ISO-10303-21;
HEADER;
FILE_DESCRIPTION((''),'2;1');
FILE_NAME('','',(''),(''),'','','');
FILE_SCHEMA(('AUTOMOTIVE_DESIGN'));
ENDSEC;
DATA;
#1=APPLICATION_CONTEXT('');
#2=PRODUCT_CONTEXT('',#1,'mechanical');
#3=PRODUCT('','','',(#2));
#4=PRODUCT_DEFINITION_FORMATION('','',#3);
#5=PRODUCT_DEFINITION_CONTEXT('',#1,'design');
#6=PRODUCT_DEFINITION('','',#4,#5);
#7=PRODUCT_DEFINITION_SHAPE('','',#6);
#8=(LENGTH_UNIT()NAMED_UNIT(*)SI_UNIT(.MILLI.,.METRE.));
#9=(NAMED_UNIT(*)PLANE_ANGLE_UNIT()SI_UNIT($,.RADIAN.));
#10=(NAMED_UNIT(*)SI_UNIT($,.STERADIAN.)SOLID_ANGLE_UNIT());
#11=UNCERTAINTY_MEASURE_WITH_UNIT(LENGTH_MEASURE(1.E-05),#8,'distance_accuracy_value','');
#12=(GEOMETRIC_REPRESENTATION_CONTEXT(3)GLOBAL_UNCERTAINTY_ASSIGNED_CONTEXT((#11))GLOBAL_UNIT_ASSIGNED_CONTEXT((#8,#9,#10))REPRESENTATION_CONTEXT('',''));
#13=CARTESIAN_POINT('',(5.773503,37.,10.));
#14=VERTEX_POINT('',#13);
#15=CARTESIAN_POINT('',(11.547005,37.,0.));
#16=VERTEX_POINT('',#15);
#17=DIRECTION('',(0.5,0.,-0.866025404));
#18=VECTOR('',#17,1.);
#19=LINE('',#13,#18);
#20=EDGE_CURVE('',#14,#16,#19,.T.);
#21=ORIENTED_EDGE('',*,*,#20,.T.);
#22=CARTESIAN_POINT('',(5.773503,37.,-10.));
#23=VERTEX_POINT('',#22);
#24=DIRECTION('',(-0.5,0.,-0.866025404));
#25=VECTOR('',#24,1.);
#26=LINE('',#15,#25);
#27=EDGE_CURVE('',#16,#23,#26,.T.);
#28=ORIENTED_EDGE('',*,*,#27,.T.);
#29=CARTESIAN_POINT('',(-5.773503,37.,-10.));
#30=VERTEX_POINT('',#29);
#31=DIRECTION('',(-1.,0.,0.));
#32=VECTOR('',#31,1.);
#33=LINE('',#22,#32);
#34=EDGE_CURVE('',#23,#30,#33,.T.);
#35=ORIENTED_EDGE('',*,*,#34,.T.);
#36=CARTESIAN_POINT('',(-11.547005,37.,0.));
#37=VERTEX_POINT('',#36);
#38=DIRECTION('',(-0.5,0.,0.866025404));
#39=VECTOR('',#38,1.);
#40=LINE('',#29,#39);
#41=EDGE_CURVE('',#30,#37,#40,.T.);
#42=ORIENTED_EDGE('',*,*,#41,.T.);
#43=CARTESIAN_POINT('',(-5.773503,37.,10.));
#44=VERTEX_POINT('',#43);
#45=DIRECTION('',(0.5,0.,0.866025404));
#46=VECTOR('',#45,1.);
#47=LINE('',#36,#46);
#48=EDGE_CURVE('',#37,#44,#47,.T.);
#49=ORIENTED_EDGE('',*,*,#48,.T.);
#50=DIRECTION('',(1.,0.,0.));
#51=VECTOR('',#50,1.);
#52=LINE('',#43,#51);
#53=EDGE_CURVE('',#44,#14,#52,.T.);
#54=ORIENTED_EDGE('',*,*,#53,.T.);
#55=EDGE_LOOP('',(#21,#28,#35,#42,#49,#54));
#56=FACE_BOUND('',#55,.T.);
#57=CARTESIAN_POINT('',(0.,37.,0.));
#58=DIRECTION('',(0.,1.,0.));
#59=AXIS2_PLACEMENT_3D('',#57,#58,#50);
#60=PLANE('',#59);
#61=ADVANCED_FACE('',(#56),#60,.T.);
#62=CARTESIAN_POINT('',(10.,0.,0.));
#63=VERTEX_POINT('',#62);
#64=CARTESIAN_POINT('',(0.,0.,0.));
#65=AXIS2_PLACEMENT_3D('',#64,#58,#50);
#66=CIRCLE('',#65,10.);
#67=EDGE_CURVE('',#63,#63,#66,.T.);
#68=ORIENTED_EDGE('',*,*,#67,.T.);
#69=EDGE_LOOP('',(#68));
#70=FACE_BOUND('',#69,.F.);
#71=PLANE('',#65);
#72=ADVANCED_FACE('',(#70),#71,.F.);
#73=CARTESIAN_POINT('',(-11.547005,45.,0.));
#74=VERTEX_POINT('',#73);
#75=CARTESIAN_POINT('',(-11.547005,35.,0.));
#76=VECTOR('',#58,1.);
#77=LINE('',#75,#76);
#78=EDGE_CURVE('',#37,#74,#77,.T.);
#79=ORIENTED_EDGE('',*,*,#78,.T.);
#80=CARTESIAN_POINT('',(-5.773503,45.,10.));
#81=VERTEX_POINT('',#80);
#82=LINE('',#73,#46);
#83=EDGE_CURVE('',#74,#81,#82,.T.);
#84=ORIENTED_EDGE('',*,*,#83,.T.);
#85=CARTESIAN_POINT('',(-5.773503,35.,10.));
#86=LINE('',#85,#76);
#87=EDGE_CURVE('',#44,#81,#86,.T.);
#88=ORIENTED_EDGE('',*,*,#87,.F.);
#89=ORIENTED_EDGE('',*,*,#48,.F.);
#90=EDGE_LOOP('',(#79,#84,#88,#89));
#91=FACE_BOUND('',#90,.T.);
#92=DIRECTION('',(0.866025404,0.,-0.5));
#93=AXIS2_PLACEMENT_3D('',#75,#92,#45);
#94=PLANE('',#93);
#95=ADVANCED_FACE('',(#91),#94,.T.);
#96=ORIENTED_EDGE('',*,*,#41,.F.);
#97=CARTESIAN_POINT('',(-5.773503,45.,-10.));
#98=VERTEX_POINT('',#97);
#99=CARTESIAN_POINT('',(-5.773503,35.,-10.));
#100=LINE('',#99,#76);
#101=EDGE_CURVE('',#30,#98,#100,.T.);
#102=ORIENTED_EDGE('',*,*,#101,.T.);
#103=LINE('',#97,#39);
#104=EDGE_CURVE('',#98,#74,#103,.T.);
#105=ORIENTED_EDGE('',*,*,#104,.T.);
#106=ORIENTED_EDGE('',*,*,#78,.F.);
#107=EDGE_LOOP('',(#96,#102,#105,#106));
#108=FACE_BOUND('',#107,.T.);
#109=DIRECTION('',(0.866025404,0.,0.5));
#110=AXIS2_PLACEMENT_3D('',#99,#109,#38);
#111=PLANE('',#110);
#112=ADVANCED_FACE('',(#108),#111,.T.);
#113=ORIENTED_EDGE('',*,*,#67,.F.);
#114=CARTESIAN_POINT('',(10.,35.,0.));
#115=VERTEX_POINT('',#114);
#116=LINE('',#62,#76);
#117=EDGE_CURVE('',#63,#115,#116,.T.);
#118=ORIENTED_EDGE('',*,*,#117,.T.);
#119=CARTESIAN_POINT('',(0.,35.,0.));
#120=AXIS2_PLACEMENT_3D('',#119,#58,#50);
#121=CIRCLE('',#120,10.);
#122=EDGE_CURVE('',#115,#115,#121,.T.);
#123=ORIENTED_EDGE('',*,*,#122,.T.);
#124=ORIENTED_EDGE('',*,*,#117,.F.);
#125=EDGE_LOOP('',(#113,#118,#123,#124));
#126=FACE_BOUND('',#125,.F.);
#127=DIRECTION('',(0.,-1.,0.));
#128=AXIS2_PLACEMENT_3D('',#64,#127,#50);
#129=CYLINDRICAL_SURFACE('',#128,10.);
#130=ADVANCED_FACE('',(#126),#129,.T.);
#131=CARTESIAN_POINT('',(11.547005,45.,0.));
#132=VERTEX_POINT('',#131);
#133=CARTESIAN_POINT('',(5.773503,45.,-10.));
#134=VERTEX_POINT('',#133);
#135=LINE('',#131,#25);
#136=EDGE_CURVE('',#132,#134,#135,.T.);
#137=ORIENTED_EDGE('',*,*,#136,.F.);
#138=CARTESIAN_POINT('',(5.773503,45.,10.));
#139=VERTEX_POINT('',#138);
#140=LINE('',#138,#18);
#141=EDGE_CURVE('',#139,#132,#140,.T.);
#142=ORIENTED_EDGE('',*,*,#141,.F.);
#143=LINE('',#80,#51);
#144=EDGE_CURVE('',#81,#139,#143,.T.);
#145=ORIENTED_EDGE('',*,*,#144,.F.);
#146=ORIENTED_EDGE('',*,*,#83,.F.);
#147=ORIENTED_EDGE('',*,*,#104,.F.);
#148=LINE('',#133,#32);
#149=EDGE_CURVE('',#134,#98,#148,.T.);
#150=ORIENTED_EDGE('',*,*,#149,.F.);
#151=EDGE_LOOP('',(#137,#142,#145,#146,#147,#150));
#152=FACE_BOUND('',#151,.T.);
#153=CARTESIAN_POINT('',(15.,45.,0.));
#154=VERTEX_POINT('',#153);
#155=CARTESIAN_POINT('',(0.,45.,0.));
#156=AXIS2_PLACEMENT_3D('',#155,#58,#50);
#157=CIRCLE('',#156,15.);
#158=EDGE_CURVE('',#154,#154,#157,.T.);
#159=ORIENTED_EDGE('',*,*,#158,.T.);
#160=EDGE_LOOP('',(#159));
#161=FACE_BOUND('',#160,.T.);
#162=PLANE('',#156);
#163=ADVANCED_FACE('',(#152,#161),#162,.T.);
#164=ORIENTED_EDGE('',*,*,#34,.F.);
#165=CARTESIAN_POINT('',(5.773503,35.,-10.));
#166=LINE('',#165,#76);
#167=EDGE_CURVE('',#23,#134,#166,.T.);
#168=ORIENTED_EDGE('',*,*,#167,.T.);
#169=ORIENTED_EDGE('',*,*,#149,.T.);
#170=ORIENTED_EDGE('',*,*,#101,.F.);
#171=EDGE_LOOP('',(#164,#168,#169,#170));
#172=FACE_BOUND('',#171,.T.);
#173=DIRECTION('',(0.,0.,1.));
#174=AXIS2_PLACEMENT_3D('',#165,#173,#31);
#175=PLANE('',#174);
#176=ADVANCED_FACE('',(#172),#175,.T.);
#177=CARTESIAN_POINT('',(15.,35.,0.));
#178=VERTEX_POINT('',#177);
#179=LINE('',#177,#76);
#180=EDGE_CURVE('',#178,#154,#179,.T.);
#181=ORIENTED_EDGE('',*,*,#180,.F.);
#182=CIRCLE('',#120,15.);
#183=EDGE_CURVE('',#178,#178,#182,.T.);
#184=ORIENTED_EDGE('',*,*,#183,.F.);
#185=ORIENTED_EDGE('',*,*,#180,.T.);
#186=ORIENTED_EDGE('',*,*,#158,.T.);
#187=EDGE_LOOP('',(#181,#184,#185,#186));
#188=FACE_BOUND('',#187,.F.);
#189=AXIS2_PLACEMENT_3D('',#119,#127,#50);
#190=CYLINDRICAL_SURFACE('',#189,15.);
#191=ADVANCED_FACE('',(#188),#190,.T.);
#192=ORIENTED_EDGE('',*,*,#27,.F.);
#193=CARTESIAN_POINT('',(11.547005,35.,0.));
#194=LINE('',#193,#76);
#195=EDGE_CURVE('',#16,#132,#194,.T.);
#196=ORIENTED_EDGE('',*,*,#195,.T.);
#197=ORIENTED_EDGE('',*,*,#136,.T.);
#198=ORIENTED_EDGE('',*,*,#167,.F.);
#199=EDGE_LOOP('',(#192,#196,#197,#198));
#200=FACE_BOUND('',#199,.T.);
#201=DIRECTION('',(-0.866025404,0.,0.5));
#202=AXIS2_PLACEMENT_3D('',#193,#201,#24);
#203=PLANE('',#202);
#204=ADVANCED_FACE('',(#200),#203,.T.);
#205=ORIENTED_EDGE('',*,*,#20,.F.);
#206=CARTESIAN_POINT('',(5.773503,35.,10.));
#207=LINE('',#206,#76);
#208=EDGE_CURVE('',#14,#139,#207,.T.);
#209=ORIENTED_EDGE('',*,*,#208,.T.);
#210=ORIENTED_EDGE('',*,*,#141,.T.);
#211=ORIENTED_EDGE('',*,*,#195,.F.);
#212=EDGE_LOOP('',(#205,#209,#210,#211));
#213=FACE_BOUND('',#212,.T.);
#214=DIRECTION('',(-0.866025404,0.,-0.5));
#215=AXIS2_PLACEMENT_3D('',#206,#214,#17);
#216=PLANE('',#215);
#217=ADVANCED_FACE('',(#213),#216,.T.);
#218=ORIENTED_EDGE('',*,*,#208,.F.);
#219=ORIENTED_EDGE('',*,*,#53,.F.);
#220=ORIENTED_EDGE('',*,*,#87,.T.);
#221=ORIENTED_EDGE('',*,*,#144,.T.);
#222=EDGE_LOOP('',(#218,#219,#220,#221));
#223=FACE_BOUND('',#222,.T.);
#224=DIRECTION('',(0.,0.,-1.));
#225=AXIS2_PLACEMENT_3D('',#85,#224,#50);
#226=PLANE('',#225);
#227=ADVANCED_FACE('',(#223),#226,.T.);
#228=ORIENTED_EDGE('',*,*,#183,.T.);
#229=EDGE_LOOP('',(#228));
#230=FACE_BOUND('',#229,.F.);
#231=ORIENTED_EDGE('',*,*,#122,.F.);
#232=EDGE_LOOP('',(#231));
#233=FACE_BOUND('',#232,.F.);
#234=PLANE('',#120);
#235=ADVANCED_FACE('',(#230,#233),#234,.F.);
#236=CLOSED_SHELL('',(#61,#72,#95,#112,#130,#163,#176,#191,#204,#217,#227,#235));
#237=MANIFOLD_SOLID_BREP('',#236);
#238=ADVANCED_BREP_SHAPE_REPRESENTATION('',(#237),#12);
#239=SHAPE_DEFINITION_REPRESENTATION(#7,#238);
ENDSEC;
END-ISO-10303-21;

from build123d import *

# Parameters (mm, degrees)
SKETCH1_R           = 10
BOSS_EXTRUDE1_DEPTH = 35
SKETCH2_R           = 15
BOSS_EXTRUDE2_DEPTH = 10
BOSS_EXTRUDE3_DEPTH = 2


with BuildPart() as part:
    # Sketch1 → Boss-Extrude1 (new body)
    with BuildSketch(Plane(origin=(0, 0, 0), x_dir=(1, 0, 0), z_dir=(0, 1, 0))):
        Circle(SKETCH1_R)
    extrude(amount=BOSS_EXTRUDE1_DEPTH)



with BuildPart() as body_2:
    # Sketch2 → Boss-Extrude2 (new body)
    with BuildSketch(Plane(origin=(0, 35, 0), x_dir=(1, 0, 0), z_dir=(0, 1, 0))):
        Circle(SKETCH2_R)
        Polygon((11.547005384, 0), (5.773502692, 10), (-5.773502692, 10), (-11.547005384, 0), (-5.773502692, -10), (5.773502692, -10), align=None, mode=Mode.SUBTRACT)
    extrude(amount=BOSS_EXTRUDE2_DEPTH)


with BuildPart() as part_1:
    add(part.part)

    add(body_2.part)  # Boss-Extrude3 merges body 2
    # Sketch3 → Boss-Extrude3 (add)
    with BuildSketch(Plane(origin=(0, 35, 0), x_dir=(1, 0, 0), z_dir=(0, 1, 0))):
        Polygon((11.547005384, 0), (5.773502692, 10), (-5.773502692, 10), (-11.547005384, 0), (-5.773502692, -10), (5.773502692, -10), align=None)
    extrude(amount=BOSS_EXTRUDE3_DEPTH)


solid = part_1.part
